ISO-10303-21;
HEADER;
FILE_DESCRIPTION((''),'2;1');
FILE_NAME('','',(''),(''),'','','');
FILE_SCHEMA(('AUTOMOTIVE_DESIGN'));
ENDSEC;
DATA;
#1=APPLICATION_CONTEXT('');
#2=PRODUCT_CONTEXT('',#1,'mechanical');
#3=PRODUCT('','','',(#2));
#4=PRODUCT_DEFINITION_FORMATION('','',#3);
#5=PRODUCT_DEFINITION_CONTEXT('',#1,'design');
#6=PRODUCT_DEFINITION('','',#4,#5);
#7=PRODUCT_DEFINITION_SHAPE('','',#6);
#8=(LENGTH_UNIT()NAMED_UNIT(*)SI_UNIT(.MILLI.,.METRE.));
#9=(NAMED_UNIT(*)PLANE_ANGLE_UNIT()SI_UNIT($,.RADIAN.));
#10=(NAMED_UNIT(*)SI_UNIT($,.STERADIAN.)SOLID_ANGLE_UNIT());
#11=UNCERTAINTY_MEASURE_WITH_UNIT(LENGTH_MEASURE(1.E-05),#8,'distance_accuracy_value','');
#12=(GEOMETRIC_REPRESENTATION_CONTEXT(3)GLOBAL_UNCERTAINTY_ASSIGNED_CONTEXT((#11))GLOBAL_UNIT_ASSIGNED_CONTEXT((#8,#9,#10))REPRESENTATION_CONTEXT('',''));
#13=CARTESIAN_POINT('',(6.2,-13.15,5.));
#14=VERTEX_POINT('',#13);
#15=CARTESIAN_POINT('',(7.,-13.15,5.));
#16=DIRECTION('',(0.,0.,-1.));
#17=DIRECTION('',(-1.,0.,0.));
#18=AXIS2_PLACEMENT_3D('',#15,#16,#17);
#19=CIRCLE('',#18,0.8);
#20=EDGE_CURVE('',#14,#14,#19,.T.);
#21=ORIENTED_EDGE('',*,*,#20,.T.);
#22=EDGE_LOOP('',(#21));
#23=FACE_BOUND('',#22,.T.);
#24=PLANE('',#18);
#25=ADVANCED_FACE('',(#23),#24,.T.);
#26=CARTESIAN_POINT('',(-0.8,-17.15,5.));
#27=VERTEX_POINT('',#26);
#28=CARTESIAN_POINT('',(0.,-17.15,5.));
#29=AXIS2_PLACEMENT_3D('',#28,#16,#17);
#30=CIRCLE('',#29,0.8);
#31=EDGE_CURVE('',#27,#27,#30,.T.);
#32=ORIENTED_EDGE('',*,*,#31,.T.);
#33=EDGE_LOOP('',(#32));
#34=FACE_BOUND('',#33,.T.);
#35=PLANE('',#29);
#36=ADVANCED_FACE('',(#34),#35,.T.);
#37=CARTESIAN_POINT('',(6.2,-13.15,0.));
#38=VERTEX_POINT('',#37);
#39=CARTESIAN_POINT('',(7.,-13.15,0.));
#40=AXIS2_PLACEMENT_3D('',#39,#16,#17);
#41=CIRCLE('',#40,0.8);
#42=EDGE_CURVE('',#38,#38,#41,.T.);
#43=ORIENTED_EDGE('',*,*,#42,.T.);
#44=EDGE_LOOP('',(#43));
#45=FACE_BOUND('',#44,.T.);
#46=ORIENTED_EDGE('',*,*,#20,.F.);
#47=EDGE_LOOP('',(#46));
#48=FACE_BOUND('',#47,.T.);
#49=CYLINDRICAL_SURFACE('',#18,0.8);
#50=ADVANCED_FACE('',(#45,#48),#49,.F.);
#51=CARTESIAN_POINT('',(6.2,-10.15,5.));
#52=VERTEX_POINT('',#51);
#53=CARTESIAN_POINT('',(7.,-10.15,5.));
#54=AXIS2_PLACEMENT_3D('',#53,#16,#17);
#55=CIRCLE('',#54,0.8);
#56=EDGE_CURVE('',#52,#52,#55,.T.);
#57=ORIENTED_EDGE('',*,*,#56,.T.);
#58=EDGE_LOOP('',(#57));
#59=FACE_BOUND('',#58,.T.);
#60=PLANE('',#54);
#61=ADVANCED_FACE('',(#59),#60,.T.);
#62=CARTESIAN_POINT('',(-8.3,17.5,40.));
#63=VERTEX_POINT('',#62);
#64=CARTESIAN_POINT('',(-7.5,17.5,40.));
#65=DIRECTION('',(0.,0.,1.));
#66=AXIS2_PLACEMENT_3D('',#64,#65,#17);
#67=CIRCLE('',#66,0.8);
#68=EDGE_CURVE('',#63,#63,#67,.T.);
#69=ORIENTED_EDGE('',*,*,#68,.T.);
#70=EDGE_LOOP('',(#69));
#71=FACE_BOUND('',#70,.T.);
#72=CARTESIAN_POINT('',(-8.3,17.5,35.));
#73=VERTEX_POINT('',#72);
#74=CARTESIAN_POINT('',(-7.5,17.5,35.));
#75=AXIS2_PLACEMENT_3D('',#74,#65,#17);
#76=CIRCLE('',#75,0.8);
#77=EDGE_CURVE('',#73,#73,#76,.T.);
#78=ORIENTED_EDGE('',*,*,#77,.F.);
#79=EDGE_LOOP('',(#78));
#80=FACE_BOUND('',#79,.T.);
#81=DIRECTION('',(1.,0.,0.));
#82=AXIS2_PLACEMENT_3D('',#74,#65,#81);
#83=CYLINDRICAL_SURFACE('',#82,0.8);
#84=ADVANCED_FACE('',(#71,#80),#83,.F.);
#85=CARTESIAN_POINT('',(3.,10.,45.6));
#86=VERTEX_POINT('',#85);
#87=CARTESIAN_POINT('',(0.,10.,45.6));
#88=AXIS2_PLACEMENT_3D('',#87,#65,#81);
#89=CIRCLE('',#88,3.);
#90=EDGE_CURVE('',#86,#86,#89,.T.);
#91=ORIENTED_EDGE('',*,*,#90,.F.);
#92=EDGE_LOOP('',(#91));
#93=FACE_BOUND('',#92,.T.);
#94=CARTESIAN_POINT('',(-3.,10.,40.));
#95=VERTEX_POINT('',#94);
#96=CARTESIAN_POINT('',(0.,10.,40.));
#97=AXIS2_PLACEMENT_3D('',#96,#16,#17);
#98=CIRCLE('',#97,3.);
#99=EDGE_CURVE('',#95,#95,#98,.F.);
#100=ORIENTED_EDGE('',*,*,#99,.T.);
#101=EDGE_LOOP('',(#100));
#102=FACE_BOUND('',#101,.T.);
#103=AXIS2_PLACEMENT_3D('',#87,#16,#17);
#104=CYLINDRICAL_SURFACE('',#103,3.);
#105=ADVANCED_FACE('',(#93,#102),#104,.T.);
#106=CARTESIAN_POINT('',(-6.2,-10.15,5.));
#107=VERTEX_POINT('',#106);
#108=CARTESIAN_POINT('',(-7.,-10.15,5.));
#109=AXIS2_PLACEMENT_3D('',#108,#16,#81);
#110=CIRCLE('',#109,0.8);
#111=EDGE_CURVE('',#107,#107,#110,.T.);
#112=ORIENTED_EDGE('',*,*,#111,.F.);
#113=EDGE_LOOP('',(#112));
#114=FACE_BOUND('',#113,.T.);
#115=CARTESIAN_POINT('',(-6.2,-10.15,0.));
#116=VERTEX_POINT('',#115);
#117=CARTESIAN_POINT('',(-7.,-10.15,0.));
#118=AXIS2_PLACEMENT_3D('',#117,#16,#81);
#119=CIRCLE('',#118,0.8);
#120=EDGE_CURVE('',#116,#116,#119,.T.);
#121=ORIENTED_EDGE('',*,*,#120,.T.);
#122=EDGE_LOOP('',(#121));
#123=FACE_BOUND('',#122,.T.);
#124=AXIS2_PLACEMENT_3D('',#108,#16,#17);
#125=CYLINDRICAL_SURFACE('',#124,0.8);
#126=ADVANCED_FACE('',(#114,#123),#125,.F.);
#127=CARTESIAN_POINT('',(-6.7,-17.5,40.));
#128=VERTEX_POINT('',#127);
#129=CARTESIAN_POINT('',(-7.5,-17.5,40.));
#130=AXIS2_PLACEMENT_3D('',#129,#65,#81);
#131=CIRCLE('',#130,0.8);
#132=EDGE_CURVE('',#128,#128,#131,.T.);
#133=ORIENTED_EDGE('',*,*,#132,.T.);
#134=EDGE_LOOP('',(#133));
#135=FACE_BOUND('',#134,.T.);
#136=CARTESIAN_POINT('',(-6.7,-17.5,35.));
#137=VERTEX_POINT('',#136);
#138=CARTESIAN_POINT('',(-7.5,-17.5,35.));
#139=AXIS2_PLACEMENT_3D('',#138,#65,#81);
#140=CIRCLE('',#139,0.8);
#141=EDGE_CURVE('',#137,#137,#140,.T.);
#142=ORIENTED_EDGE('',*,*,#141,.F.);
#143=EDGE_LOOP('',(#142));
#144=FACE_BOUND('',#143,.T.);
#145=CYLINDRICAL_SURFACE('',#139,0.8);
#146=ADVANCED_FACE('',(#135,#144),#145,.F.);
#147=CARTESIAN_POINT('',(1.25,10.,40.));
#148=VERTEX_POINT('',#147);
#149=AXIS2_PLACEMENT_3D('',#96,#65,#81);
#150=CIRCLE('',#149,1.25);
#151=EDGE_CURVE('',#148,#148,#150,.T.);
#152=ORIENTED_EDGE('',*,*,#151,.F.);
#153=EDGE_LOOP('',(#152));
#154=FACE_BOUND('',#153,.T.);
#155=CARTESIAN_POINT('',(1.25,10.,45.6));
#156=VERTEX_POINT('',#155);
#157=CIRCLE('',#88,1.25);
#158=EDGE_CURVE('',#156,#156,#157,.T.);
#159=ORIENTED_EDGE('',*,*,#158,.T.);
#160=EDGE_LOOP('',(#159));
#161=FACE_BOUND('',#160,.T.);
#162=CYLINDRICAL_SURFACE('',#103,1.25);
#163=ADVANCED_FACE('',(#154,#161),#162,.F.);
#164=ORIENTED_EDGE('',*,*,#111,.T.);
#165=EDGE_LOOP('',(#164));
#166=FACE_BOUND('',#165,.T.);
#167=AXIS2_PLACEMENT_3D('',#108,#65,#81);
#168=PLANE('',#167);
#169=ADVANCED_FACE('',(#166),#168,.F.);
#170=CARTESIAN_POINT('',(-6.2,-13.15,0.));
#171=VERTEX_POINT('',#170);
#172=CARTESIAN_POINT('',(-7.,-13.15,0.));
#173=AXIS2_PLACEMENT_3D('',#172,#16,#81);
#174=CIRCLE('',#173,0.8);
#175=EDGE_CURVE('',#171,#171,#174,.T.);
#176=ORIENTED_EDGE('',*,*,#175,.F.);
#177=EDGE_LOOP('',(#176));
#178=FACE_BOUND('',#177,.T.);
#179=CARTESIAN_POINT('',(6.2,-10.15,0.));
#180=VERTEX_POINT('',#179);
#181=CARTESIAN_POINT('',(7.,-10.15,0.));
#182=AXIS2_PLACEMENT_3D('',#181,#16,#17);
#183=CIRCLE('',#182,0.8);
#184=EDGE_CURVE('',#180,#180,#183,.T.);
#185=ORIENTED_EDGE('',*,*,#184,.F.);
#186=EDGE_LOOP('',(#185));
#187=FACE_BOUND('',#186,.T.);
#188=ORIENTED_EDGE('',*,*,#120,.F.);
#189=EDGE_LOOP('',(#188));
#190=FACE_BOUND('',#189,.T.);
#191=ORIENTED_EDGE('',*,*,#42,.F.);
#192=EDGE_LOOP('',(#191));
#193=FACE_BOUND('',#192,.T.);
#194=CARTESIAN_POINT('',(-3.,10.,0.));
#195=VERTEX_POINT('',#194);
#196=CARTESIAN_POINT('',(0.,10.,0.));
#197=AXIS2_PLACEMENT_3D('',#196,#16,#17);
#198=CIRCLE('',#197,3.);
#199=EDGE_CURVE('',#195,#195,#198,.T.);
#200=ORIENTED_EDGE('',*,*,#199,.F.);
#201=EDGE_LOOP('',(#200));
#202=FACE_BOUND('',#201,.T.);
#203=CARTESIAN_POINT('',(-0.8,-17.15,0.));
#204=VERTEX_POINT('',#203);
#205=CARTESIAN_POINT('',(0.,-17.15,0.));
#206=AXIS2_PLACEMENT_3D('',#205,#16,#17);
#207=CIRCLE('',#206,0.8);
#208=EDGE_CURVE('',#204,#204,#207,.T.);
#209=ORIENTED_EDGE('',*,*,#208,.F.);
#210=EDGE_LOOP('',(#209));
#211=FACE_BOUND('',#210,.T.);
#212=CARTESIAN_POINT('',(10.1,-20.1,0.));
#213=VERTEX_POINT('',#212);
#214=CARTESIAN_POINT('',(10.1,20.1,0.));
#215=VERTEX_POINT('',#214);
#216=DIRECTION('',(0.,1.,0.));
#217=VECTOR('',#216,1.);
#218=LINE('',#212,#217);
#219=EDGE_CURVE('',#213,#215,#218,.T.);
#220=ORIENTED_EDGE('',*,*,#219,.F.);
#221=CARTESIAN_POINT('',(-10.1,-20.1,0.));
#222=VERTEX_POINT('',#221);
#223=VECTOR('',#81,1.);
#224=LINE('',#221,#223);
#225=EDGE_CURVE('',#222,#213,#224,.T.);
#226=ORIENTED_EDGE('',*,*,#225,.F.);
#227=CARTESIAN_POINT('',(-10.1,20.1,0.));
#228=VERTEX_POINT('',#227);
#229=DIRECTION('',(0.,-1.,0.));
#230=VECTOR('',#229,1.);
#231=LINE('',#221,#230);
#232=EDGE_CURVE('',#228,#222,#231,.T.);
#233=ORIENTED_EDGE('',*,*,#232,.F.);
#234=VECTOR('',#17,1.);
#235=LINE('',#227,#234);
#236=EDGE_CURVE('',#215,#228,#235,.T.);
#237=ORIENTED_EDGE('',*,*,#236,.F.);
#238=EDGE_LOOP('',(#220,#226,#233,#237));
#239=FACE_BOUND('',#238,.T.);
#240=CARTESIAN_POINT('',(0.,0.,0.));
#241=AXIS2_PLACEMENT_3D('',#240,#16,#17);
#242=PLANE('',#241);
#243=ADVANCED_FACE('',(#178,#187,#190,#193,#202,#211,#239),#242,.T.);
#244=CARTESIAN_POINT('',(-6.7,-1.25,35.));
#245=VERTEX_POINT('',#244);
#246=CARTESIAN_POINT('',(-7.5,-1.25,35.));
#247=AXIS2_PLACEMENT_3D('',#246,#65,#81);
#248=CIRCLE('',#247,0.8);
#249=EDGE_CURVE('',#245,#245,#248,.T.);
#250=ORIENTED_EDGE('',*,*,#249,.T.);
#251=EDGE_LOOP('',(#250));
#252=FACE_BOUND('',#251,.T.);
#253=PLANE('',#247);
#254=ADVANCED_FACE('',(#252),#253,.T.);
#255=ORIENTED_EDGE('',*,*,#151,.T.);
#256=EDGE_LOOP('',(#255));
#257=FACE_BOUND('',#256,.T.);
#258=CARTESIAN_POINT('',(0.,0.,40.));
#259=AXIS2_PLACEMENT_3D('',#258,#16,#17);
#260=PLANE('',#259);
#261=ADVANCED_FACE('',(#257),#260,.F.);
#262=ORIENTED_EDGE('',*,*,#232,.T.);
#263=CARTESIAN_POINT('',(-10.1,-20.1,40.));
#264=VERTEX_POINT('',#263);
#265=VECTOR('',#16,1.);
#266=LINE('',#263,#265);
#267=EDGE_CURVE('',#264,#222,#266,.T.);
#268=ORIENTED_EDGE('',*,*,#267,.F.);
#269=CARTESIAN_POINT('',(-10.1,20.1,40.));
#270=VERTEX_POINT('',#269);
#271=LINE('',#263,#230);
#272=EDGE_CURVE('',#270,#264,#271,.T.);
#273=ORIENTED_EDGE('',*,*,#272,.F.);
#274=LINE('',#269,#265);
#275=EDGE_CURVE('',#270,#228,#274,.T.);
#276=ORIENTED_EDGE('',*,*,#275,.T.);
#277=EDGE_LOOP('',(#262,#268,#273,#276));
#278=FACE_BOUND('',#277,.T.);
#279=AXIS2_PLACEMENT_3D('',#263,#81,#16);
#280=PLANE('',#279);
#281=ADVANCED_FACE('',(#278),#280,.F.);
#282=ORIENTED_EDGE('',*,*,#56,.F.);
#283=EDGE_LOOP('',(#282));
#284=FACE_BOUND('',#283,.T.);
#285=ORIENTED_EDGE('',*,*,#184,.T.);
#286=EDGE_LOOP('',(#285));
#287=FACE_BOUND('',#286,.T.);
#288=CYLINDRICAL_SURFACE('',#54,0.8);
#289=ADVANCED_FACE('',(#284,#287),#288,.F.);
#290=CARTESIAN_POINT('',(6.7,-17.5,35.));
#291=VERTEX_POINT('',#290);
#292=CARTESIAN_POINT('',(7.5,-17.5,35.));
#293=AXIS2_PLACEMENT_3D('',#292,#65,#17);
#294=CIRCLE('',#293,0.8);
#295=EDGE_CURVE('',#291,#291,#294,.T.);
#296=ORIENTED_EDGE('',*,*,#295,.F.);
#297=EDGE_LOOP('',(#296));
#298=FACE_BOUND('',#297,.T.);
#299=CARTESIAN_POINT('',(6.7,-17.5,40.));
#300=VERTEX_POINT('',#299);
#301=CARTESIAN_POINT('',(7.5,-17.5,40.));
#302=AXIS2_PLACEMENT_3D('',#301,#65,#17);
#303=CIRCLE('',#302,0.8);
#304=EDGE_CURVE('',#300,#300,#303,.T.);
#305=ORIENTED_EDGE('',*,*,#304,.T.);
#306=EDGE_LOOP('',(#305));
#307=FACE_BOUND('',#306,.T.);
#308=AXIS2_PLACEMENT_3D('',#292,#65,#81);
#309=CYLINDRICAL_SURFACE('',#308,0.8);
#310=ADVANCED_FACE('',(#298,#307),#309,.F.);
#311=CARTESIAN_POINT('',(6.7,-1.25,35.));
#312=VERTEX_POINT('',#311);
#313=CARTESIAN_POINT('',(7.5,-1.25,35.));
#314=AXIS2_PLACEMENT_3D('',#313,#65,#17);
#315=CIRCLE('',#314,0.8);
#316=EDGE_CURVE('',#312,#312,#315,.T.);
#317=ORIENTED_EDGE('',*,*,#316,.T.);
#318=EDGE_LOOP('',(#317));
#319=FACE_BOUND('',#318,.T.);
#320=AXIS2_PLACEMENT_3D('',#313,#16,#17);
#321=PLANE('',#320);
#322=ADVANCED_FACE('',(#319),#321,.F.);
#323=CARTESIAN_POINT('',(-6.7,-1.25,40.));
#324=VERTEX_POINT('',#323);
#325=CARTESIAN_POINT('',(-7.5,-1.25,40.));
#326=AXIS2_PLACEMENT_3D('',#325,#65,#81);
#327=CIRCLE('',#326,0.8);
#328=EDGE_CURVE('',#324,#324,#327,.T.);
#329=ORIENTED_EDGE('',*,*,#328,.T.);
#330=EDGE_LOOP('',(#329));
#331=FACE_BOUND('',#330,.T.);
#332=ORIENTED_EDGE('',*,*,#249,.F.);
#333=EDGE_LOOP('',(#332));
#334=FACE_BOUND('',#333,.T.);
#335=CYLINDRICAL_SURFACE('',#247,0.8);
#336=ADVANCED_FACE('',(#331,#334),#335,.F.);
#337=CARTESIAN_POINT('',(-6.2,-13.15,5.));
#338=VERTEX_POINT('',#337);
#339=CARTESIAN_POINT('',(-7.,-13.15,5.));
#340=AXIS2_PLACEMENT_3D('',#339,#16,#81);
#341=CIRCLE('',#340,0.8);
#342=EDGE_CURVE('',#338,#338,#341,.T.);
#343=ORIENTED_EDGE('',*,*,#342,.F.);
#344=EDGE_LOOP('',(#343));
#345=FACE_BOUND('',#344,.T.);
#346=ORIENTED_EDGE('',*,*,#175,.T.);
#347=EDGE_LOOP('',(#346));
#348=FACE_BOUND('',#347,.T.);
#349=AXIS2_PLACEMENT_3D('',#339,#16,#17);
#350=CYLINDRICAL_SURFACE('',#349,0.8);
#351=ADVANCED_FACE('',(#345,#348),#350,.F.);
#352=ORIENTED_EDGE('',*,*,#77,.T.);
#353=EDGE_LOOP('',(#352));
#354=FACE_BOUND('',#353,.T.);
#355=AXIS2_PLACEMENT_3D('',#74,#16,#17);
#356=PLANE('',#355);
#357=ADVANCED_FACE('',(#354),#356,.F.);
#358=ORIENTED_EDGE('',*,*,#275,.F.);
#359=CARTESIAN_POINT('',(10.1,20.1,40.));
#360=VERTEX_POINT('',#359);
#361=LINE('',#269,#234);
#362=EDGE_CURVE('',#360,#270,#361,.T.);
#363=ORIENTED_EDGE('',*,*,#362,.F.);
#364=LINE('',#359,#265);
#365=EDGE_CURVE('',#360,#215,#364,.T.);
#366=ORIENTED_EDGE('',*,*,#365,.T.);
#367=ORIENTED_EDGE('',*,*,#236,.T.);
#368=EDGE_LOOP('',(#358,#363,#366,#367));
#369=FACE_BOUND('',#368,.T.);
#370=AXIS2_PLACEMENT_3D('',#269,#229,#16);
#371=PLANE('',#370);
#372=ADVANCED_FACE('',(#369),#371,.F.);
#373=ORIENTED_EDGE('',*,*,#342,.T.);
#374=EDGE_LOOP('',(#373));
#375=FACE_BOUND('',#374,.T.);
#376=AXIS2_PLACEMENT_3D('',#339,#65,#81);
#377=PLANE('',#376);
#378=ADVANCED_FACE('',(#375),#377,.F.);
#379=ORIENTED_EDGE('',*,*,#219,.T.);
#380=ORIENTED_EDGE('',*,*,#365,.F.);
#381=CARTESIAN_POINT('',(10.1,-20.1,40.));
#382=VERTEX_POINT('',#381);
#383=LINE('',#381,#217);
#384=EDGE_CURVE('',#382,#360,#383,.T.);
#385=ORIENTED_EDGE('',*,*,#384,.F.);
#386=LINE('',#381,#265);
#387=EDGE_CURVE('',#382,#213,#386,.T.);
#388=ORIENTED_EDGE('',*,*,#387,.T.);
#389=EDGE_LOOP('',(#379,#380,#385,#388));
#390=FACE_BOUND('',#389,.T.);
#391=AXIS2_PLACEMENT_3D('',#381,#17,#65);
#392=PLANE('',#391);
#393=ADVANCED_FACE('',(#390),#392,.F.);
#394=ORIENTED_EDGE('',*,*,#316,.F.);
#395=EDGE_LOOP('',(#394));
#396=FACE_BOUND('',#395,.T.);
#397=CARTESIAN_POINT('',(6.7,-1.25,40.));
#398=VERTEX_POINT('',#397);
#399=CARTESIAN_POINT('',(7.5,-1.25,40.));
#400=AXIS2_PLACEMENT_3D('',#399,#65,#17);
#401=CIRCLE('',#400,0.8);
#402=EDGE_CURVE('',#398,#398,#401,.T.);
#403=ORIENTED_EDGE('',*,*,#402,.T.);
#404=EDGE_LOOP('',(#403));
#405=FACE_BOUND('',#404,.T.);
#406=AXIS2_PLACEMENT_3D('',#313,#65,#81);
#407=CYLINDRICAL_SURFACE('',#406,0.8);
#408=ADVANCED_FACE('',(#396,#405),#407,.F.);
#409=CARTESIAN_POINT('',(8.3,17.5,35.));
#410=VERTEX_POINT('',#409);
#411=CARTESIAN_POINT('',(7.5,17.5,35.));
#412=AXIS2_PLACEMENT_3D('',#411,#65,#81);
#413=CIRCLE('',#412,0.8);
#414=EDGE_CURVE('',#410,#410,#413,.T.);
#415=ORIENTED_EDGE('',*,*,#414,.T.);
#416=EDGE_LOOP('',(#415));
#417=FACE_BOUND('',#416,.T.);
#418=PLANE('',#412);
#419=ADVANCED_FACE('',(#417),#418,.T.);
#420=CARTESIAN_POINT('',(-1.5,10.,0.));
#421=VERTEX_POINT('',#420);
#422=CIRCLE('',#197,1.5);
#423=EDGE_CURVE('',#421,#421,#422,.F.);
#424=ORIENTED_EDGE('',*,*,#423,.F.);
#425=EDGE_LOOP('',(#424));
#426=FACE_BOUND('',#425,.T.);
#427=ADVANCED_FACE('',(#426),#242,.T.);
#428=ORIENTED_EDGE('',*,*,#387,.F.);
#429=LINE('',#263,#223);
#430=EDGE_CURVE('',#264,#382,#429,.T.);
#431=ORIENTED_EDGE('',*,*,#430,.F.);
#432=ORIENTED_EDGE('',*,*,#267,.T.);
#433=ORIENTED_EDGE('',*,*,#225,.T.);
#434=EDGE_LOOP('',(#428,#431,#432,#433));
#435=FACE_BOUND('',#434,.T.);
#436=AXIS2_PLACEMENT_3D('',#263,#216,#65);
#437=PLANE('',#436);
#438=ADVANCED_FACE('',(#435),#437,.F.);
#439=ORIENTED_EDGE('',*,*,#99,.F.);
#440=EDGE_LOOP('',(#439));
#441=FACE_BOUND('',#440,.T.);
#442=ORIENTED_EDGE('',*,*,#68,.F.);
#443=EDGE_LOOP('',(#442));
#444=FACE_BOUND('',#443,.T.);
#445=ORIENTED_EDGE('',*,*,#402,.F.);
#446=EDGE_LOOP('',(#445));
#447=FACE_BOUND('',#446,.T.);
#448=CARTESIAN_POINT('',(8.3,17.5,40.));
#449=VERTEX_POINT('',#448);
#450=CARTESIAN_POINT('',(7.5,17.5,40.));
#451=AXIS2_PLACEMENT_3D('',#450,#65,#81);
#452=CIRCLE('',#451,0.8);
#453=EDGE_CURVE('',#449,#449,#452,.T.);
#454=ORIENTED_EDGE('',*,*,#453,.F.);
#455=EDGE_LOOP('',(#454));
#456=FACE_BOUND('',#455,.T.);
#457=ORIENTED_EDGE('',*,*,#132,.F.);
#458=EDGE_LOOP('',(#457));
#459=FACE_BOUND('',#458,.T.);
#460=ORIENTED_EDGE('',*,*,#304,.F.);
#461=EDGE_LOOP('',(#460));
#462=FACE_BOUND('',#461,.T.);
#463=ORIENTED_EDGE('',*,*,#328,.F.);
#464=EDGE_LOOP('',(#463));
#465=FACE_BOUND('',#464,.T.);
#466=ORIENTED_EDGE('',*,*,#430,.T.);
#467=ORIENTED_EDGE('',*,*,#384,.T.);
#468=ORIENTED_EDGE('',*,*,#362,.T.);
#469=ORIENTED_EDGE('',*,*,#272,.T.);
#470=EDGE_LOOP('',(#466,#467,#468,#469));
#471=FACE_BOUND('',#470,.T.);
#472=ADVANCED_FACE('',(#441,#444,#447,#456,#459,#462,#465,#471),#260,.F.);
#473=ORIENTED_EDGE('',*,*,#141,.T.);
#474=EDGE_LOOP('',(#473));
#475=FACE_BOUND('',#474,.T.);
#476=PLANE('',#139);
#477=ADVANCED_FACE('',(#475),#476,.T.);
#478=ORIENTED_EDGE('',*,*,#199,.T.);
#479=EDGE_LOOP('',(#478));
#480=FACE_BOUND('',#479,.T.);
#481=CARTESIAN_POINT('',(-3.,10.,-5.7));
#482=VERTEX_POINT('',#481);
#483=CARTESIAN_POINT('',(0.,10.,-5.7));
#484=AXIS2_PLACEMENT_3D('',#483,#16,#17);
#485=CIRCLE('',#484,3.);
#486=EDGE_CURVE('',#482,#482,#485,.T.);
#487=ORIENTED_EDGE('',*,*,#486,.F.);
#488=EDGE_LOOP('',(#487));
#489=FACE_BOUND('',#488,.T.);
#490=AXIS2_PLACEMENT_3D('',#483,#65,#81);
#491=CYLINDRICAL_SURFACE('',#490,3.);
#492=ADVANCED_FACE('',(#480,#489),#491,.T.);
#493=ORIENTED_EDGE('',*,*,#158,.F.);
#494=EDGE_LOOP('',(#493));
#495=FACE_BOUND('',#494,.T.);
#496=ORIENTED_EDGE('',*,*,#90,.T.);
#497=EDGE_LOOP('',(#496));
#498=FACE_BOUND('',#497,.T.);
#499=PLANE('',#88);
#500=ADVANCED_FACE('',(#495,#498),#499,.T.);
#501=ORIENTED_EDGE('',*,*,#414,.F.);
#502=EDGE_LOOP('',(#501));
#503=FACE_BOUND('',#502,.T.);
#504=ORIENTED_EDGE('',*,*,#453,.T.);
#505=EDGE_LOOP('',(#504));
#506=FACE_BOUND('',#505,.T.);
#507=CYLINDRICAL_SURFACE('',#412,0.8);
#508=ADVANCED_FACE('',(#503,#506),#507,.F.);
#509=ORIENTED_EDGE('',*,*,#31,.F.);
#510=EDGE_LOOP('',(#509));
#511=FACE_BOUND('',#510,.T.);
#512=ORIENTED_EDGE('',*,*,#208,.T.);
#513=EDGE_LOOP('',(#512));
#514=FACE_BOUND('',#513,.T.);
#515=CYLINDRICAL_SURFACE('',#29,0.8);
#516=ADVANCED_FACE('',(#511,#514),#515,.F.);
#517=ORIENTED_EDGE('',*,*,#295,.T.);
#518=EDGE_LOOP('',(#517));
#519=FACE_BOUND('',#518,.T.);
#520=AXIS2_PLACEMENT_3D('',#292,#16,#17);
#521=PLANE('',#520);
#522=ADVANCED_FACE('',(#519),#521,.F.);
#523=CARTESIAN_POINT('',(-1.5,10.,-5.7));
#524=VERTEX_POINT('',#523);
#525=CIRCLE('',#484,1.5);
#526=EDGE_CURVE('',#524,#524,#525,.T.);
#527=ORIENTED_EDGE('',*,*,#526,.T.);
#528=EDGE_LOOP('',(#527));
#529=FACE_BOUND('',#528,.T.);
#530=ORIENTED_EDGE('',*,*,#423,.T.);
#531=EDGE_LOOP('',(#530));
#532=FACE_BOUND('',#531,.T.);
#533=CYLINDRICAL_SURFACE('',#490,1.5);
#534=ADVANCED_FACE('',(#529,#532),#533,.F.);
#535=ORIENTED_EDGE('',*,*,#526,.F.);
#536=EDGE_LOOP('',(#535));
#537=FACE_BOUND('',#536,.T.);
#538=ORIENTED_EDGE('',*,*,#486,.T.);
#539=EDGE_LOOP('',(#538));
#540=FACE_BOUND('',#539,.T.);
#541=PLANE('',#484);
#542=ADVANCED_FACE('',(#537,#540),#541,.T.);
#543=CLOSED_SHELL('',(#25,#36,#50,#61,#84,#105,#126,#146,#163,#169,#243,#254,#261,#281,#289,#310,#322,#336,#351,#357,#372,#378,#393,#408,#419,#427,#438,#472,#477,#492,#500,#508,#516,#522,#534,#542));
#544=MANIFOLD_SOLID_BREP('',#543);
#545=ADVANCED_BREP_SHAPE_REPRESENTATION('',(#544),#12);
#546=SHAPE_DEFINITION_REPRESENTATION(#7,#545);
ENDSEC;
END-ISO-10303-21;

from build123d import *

# Parameters (mm, degrees)
SKETCH1_W           = 20.2
SKETCH1_H           = 40.2
BOSS_EXTRUDE1_DEPTH = 40
SKETCH2_R           = 0.8
CUT_EXTRUDE1_DEPTH  = 5
SKETCH3_R           = 3
SKETCH3_R_2         = 1.25
BOSS_EXTRUDE2_DEPTH = 5.6
BOSS_EXTRUDE3_START = 5.7
SKETCH4_R           = 3
SKETCH4_R_2         = 1.5
BOSS_EXTRUDE3_DEPTH = 5.7
SKETCH5_R           = 0.8
CUT_EXTRUDE2_DEPTH  = 5


with BuildPart() as part:
    # Sketch1 → Boss-Extrude1 (new body)
    with BuildSketch(Plane.XY):
        Rectangle(SKETCH1_W, SKETCH1_H)
    extrude(amount=BOSS_EXTRUDE1_DEPTH)

    # Sketch2 → Cut-Extrude1 (cut)
    with BuildSketch(Plane.XY.offset(40)):
        with Locations((-7.5, -17.5)):
            Circle(SKETCH2_R)
        with Locations(Location((-7.5, 17.5, 0), (0, 0, 180))):
            Circle(SKETCH2_R)
        with Locations(Location((7.5, -17.5, 0), (0, 0, 180))):
            Circle(SKETCH2_R)
        with Locations((7.5, 17.5)):
            Circle(SKETCH2_R)
        with Locations((-7.5, -1.25)):
            Circle(SKETCH2_R)
        with Locations(Location((7.5, -1.25, 0), (0, 0, 180))):
            Circle(SKETCH2_R)
    extrude(amount=-CUT_EXTRUDE1_DEPTH, mode=Mode.SUBTRACT)

    # Sketch3 → Boss-Extrude2 (add)
    with BuildSketch(Plane.XY.offset(40)):
        with Locations(Location((0, 10, 0), (0, 0, 180))):
            Circle(SKETCH3_R)
        with Locations((0, 10)):
            Circle(SKETCH3_R_2, mode=Mode.SUBTRACT)
    extrude(amount=BOSS_EXTRUDE2_DEPTH)

    # Sketch4 → Boss-Extrude3 (add)
    with BuildSketch(Plane(origin=(0, 0, 0), x_dir=(-1, 0, 0), z_dir=(0, 0, -1)).offset(BOSS_EXTRUDE3_START)):
        with Locations((0, 10)):
            Circle(SKETCH4_R)
        with Locations((0, 10)):
            Circle(SKETCH4_R_2, mode=Mode.SUBTRACT)
    extrude(amount=-BOSS_EXTRUDE3_DEPTH)

    # Sketch5 → Cut-Extrude2 (cut)
    with BuildSketch(Plane(origin=(0, 0, 0), x_dir=(-1, 0, 0), z_dir=(0, 0, -1))):
        with Locations((0, -17.15)):
            Circle(SKETCH5_R)
        with Locations((-7, -13.15)):
            Circle(SKETCH5_R)
        with Locations((-7, -10.15)):
            Circle(SKETCH5_R)
        with Locations(Location((7, -13.15, 0), (0, 0, 180))):
            Circle(SKETCH5_R)
        with Locations(Location((7, -10.15, 0), (0, 0, 180))):
            Circle(SKETCH5_R)
    extrude(amount=-CUT_EXTRUDE2_DEPTH, mode=Mode.SUBTRACT)


solid = part.part
